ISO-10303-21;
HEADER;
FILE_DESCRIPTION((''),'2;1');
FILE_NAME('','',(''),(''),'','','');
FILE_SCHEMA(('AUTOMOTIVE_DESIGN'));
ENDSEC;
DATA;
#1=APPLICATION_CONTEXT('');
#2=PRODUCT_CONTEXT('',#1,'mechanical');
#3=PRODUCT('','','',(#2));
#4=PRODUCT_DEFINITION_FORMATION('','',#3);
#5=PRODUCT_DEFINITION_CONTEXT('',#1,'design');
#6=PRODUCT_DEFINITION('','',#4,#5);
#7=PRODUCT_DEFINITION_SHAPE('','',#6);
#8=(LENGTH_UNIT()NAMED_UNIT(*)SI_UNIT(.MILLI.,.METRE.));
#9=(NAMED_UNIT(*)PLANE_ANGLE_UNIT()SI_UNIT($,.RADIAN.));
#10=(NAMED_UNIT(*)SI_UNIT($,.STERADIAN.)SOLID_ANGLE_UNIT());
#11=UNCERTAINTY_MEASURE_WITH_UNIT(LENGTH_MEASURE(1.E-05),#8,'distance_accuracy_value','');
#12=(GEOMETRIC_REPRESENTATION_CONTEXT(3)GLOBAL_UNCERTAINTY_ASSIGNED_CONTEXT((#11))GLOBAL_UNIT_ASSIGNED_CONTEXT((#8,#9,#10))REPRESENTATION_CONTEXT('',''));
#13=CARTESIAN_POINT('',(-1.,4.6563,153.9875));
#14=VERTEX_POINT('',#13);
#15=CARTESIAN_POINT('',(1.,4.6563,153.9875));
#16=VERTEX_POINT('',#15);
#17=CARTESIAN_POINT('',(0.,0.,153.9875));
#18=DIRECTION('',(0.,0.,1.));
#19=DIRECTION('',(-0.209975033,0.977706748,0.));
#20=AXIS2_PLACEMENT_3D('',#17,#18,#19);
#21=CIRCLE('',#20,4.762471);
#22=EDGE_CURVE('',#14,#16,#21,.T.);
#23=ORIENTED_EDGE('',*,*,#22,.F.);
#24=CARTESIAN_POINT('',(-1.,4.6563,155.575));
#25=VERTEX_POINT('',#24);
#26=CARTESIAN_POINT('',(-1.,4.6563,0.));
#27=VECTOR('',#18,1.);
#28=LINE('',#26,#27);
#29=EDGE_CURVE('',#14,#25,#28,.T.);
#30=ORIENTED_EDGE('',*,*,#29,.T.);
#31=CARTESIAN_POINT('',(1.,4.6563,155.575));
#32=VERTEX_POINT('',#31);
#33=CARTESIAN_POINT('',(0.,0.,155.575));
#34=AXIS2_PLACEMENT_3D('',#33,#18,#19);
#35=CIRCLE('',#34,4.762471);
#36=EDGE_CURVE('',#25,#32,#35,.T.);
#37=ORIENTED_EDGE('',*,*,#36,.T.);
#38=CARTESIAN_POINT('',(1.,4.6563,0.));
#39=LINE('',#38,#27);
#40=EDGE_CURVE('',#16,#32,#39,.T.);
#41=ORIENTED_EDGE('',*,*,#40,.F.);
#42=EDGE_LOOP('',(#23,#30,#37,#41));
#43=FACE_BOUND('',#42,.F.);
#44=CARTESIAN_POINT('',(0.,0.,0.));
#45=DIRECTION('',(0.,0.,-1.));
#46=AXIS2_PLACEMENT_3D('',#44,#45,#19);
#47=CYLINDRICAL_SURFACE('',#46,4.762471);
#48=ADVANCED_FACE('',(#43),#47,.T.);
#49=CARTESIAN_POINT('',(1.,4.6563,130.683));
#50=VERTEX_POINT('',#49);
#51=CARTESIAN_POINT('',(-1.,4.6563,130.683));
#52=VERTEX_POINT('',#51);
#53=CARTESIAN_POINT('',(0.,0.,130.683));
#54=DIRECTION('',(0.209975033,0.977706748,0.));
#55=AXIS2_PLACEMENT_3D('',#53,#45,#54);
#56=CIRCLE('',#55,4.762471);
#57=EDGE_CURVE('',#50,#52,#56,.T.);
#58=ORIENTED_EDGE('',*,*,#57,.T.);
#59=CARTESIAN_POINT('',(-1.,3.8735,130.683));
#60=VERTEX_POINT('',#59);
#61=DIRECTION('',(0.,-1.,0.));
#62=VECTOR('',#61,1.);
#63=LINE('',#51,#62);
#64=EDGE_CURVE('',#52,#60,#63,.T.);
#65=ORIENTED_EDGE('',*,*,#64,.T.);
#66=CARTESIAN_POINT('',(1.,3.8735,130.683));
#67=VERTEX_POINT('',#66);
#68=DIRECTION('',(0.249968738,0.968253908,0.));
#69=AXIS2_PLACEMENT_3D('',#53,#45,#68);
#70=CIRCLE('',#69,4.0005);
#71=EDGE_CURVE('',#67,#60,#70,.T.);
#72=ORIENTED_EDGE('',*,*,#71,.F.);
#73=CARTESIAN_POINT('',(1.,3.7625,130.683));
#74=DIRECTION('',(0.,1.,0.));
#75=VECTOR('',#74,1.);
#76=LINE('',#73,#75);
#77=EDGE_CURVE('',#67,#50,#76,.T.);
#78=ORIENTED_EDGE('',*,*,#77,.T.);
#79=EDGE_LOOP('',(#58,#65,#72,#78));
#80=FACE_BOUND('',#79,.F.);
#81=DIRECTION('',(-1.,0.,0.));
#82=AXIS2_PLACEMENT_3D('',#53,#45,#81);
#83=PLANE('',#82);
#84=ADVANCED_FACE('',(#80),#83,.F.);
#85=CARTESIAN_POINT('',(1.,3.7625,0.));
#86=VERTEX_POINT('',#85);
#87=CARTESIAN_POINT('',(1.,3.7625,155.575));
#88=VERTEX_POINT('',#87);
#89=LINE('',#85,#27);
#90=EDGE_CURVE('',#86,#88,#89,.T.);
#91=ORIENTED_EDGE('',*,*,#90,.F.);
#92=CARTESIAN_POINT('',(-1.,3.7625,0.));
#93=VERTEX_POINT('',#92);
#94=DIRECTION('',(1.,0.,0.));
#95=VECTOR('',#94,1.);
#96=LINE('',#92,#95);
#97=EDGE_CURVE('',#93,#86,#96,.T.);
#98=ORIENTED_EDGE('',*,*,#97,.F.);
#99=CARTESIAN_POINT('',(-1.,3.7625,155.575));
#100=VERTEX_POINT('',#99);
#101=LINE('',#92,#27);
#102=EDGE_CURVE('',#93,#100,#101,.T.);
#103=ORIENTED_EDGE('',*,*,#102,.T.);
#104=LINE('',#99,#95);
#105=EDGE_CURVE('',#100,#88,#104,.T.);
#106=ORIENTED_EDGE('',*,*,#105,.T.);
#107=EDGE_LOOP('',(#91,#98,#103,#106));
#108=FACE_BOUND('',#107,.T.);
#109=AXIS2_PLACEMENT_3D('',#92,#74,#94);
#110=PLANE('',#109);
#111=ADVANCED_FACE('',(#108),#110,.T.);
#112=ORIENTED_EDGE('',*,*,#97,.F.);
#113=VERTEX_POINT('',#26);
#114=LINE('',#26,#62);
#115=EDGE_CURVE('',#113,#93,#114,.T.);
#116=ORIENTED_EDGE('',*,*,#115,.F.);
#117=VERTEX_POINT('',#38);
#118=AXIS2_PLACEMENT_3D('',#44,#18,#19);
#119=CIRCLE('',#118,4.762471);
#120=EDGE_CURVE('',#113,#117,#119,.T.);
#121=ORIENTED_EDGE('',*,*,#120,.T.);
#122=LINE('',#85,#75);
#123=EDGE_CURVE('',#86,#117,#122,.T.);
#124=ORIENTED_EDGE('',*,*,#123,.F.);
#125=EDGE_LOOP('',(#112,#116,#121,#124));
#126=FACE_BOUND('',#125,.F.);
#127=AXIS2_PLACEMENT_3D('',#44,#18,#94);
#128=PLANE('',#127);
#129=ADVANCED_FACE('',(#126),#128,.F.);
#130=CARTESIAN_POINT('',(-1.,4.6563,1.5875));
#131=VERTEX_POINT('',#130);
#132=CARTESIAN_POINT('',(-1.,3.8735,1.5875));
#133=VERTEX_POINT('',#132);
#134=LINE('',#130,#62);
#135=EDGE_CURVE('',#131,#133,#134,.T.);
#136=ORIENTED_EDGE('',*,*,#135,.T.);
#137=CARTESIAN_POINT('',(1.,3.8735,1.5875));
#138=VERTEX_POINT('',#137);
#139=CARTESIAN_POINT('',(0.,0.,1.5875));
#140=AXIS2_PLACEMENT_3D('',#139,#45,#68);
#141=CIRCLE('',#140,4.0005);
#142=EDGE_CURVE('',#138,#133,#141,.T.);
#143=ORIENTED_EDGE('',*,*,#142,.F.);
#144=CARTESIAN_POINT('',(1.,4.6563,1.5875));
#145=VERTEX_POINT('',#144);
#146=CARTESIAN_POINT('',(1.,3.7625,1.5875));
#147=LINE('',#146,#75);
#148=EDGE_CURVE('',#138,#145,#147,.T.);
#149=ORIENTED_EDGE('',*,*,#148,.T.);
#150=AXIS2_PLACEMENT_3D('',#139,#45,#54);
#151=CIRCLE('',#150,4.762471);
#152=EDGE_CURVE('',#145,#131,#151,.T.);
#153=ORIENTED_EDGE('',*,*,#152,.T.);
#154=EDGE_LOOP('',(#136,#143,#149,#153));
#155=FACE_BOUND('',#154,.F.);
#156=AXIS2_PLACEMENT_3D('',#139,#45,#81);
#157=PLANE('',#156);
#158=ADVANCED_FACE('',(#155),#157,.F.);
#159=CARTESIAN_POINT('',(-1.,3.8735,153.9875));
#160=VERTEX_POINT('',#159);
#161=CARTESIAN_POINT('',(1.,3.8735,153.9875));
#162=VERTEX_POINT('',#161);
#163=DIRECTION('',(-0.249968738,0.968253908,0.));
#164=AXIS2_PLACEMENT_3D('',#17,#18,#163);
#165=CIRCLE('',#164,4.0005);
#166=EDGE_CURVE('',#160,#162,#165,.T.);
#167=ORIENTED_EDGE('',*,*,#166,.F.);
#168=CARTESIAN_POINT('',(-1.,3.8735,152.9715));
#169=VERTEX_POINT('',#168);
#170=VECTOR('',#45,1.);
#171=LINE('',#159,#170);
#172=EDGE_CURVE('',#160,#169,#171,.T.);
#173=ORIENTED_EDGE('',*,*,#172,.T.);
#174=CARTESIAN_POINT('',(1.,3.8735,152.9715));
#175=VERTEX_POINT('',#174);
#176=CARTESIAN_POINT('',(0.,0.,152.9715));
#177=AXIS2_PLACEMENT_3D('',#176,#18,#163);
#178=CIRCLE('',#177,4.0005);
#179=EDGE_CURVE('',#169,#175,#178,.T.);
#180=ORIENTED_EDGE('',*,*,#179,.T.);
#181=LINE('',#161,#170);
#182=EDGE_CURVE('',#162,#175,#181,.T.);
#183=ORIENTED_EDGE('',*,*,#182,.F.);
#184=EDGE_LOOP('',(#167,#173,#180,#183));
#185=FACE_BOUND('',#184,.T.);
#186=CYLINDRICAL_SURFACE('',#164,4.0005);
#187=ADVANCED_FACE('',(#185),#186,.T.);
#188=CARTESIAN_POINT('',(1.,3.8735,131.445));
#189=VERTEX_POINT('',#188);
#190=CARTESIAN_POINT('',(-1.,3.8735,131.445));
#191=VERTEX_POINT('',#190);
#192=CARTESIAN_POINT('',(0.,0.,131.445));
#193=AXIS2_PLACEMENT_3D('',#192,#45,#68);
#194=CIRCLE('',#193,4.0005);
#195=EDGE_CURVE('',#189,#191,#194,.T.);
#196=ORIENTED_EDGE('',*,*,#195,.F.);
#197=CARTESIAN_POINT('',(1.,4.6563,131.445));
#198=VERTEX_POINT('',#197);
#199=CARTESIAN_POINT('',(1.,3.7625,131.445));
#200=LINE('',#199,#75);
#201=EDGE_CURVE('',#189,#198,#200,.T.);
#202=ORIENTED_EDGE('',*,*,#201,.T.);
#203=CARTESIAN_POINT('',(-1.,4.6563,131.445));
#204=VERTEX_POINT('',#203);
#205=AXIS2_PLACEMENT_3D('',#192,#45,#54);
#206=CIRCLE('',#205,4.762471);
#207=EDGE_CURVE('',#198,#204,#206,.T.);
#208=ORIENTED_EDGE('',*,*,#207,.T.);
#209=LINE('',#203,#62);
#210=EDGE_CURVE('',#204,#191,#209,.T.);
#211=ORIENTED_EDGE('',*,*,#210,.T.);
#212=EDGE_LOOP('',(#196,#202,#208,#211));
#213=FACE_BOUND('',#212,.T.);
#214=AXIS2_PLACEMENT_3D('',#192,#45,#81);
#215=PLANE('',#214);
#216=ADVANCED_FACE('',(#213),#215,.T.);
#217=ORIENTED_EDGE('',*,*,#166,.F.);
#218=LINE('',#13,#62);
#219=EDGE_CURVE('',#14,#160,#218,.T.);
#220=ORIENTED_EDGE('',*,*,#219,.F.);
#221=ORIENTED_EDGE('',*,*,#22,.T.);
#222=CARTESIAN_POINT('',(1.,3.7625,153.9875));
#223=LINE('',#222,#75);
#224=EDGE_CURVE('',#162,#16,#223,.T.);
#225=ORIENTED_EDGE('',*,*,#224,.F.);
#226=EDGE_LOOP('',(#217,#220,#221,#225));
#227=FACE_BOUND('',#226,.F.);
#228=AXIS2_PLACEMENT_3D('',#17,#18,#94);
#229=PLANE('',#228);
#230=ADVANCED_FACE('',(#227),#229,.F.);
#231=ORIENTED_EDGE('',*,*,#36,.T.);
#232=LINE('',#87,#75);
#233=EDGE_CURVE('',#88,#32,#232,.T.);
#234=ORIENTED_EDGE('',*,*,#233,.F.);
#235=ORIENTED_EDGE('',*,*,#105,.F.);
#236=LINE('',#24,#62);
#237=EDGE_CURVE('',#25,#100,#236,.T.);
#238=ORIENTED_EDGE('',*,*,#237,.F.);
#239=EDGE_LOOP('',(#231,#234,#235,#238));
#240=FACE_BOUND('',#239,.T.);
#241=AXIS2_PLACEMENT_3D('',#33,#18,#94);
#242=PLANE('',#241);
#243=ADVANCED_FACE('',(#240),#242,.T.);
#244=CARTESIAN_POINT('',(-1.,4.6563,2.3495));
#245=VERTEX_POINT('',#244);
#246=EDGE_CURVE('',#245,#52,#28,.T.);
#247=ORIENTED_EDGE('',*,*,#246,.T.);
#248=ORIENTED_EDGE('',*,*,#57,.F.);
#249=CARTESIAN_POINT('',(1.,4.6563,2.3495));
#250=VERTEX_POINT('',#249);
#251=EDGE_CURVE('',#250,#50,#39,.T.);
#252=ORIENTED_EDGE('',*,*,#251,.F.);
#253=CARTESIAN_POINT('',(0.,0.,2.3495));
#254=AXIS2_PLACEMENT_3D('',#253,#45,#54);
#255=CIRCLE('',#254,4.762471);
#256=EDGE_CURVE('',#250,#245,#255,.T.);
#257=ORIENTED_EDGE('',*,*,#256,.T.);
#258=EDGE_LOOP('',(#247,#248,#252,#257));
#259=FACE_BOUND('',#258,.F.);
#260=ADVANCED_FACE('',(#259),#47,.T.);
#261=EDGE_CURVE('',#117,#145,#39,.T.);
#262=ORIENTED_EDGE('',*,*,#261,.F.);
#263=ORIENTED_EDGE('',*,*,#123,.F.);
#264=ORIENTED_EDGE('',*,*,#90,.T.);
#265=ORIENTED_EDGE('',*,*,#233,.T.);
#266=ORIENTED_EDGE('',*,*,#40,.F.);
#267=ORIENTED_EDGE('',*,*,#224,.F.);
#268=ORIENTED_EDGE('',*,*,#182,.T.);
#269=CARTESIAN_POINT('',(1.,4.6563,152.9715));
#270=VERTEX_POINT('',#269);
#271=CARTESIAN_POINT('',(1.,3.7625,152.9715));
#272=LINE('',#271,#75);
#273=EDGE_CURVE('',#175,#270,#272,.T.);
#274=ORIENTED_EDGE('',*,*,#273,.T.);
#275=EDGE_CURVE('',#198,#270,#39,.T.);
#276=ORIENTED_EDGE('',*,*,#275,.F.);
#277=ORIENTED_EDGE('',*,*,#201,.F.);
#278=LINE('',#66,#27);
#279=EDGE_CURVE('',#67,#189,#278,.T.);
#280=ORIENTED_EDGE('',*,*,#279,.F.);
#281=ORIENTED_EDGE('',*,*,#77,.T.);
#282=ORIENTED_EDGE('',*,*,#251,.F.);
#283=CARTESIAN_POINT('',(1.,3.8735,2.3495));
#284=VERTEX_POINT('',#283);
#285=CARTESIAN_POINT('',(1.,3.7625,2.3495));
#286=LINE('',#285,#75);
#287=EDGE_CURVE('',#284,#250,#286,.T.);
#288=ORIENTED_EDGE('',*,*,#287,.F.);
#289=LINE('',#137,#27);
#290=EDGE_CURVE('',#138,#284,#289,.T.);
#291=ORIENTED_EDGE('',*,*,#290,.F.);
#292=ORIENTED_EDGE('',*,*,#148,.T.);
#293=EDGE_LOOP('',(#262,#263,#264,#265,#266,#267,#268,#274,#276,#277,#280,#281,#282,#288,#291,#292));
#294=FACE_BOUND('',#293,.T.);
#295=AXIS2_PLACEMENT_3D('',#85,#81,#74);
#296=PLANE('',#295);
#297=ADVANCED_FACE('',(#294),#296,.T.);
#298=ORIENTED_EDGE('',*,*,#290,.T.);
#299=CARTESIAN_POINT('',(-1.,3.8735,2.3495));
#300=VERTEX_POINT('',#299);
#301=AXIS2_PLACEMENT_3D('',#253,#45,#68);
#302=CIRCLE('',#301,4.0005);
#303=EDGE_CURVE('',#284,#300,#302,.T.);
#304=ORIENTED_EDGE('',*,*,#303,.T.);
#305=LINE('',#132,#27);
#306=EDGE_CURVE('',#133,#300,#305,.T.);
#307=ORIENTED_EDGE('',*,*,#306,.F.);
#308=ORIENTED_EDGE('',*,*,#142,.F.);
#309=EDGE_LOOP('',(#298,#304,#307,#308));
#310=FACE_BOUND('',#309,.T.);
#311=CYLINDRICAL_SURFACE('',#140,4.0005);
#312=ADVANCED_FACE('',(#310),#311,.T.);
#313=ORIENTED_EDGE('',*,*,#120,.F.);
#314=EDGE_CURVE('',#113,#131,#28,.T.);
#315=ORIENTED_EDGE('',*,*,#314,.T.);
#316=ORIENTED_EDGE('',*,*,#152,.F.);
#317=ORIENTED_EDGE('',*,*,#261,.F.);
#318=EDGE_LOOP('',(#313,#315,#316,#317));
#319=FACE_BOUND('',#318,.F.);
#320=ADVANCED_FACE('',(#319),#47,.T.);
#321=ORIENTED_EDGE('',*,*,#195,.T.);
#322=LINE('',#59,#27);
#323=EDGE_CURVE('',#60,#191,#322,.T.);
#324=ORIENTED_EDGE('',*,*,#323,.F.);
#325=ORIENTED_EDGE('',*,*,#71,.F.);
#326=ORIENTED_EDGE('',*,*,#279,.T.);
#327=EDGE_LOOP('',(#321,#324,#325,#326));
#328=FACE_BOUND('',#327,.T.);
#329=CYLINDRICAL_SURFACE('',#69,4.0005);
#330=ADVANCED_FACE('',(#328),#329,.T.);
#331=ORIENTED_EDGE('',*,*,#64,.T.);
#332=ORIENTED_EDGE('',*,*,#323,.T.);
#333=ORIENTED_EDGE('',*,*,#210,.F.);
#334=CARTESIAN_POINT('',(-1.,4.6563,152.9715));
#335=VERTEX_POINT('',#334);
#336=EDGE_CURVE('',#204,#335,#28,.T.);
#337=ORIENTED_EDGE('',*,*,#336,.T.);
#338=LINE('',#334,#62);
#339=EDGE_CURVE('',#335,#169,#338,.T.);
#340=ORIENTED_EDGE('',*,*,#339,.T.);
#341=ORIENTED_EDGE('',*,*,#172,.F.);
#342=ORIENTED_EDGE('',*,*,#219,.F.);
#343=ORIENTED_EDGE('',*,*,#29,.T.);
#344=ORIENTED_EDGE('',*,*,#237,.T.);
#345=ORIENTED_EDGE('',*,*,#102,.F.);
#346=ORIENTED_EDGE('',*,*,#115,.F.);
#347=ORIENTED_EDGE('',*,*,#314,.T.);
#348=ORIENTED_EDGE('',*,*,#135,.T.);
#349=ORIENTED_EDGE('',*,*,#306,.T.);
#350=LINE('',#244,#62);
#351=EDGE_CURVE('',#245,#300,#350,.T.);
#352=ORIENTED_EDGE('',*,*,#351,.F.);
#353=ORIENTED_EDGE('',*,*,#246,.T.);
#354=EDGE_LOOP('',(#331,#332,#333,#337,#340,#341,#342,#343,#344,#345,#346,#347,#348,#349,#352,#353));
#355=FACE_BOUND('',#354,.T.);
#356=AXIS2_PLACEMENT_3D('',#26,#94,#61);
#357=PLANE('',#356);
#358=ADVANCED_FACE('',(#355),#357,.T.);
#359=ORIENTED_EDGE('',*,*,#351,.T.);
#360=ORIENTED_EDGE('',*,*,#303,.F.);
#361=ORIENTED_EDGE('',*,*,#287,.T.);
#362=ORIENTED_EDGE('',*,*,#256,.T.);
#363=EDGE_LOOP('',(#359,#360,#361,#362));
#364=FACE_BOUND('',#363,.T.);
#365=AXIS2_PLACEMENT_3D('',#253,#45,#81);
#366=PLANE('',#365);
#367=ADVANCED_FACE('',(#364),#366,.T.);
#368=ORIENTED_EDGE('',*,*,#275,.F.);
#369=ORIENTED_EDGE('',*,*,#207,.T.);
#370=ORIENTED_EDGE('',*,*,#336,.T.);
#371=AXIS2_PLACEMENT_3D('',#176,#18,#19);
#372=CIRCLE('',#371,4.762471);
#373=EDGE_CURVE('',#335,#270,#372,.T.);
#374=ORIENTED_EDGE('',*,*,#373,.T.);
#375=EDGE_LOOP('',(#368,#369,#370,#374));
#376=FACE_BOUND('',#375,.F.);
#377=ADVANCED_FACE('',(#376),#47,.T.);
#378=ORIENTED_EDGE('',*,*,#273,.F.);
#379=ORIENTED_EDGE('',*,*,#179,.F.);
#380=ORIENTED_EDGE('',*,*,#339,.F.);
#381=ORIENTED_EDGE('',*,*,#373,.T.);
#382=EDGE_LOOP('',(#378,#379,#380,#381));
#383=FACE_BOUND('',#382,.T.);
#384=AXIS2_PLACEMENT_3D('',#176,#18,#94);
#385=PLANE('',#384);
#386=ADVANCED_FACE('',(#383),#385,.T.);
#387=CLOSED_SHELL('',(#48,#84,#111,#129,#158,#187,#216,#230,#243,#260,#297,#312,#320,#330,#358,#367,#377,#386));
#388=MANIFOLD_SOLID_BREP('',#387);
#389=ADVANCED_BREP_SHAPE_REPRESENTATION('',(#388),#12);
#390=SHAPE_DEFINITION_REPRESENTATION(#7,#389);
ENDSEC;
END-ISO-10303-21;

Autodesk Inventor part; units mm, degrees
sketch "Sketch1" plane through (0, 0, 0) normal (0, 0, 1) x (1, 0, 0)
  arc A0 (-1, 4.6563) -> (1, 4.6563) centre (0, 0) ccw
  line L0 (-1, 3.7625) -> (1, 3.7625)
  line L1 (1, 3.7625) -> (1, 4.6563)
  line L2 (1, 5.7625) -> (-1, 5.7625) construction
  line L3 (-1, 5.7625) -> (-1, 4.6563) construction
  arc A1 (1, 4.6563) -> (-1, 4.6563) centre (0, 0) ccw construction
  line L4 (-1, 4.6563) -> (-1, 3.7625)
  line L5 (1, 4.6563) -> (1, 5.7625) construction
  dimension "d0" = 9.525
  dimension "d3" = 2
  dimension "d4" = 2
  dimension "d5" = 1
  dimension "d6" = 3.7625
extrude "Extrusion1" add sketch "Sketch1" along normal blind 155.575
ref_plane "Work Plane1" through (0, 0, 1.5875) normal (0, 0, -1) x (-1, 0, 0)
sketch "Sketch2" plane through (0, 0, 1.5875) normal (0, 0, -1) x (-1, 0, 0)
  line L0 (-1, 3.7625) -> (-1, 4.6563) projected
  line L1 (1, 3.7625) -> (-1, 3.7625) projected
  line L2 (1, 4.6563) -> (1, 3.7625) projected
  arc A0 (-1, 4.6563) -> (1, 4.6563) centre (0, 0) ccw projected
  arc A1 (-1, 3.8735) -> (1, 3.8735) centre (0, 0) ccw
  arc A2 (1, 3.8735) -> (-1, 3.8735) centre (0, 0) ccw construction
  dimension "d9" = 0.762
extrude "Extrusion2" cut sketch "Sketch2" against normal blind 0.762 contours A1 L2 A0 L0
ref_plane "Work Plane2" through (0, 0, 130.683) normal (0, 0, -1) x (-1, 0, 0)
sketch "Sketch3" plane through (0, 0, 130.683) normal (0, 0, -1) x (-1, 0, 0)
  arc A0 (-1, 3.8735) -> (1, 3.8735) centre (0, 0) ccw projected
  line L0 (-1, 3.7625) -> (-1, 4.6563) projected
  arc A1 (-1, 4.6563) -> (1, 4.6563) centre (0, 0) ccw projected
  line L1 (1, 4.6563) -> (1, 3.7625) projected
  line L2 (1, 3.7625) -> (-1, 3.7625) projected
extrude "Extrusion3" cut sketch "Sketch3" against normal blind 0.762 contours A0 L1 A1 L0
ref_plane "Work Plane3" through (0, 0, 153.9875) normal (0, 0, 1) x (1, 0, 0)
sketch "Sketch4" plane through (0, 0, 153.9875) normal (0, 0, 1) x (1, 0, 0)
  arc A0 (-1, 3.8735) -> (1, 3.8735) centre (0, 0) ccw projected
  line L0 (-1, 3.7625) -> (1, 3.7625) projected
  line L1 (-1, 4.6563) -> (-1, 3.7625) projected
  line L2 (1, 3.7625) -> (1, 4.6563) projected
  arc A1 (-1, 4.6563) -> (1, 4.6563) centre (0, 0) ccw projected
extrude "Extrusion4" cut sketch "Sketch4" against normal blind 1.016 contours A0 L2 A1 L1
equation "\"d4\" = d3"
equation "\"d5\" = 0.5 * d3"
equation "\"d6\" = 0.5 * d0 - 0.5 * d4"
properties part number "vertical drive shaft 3"
